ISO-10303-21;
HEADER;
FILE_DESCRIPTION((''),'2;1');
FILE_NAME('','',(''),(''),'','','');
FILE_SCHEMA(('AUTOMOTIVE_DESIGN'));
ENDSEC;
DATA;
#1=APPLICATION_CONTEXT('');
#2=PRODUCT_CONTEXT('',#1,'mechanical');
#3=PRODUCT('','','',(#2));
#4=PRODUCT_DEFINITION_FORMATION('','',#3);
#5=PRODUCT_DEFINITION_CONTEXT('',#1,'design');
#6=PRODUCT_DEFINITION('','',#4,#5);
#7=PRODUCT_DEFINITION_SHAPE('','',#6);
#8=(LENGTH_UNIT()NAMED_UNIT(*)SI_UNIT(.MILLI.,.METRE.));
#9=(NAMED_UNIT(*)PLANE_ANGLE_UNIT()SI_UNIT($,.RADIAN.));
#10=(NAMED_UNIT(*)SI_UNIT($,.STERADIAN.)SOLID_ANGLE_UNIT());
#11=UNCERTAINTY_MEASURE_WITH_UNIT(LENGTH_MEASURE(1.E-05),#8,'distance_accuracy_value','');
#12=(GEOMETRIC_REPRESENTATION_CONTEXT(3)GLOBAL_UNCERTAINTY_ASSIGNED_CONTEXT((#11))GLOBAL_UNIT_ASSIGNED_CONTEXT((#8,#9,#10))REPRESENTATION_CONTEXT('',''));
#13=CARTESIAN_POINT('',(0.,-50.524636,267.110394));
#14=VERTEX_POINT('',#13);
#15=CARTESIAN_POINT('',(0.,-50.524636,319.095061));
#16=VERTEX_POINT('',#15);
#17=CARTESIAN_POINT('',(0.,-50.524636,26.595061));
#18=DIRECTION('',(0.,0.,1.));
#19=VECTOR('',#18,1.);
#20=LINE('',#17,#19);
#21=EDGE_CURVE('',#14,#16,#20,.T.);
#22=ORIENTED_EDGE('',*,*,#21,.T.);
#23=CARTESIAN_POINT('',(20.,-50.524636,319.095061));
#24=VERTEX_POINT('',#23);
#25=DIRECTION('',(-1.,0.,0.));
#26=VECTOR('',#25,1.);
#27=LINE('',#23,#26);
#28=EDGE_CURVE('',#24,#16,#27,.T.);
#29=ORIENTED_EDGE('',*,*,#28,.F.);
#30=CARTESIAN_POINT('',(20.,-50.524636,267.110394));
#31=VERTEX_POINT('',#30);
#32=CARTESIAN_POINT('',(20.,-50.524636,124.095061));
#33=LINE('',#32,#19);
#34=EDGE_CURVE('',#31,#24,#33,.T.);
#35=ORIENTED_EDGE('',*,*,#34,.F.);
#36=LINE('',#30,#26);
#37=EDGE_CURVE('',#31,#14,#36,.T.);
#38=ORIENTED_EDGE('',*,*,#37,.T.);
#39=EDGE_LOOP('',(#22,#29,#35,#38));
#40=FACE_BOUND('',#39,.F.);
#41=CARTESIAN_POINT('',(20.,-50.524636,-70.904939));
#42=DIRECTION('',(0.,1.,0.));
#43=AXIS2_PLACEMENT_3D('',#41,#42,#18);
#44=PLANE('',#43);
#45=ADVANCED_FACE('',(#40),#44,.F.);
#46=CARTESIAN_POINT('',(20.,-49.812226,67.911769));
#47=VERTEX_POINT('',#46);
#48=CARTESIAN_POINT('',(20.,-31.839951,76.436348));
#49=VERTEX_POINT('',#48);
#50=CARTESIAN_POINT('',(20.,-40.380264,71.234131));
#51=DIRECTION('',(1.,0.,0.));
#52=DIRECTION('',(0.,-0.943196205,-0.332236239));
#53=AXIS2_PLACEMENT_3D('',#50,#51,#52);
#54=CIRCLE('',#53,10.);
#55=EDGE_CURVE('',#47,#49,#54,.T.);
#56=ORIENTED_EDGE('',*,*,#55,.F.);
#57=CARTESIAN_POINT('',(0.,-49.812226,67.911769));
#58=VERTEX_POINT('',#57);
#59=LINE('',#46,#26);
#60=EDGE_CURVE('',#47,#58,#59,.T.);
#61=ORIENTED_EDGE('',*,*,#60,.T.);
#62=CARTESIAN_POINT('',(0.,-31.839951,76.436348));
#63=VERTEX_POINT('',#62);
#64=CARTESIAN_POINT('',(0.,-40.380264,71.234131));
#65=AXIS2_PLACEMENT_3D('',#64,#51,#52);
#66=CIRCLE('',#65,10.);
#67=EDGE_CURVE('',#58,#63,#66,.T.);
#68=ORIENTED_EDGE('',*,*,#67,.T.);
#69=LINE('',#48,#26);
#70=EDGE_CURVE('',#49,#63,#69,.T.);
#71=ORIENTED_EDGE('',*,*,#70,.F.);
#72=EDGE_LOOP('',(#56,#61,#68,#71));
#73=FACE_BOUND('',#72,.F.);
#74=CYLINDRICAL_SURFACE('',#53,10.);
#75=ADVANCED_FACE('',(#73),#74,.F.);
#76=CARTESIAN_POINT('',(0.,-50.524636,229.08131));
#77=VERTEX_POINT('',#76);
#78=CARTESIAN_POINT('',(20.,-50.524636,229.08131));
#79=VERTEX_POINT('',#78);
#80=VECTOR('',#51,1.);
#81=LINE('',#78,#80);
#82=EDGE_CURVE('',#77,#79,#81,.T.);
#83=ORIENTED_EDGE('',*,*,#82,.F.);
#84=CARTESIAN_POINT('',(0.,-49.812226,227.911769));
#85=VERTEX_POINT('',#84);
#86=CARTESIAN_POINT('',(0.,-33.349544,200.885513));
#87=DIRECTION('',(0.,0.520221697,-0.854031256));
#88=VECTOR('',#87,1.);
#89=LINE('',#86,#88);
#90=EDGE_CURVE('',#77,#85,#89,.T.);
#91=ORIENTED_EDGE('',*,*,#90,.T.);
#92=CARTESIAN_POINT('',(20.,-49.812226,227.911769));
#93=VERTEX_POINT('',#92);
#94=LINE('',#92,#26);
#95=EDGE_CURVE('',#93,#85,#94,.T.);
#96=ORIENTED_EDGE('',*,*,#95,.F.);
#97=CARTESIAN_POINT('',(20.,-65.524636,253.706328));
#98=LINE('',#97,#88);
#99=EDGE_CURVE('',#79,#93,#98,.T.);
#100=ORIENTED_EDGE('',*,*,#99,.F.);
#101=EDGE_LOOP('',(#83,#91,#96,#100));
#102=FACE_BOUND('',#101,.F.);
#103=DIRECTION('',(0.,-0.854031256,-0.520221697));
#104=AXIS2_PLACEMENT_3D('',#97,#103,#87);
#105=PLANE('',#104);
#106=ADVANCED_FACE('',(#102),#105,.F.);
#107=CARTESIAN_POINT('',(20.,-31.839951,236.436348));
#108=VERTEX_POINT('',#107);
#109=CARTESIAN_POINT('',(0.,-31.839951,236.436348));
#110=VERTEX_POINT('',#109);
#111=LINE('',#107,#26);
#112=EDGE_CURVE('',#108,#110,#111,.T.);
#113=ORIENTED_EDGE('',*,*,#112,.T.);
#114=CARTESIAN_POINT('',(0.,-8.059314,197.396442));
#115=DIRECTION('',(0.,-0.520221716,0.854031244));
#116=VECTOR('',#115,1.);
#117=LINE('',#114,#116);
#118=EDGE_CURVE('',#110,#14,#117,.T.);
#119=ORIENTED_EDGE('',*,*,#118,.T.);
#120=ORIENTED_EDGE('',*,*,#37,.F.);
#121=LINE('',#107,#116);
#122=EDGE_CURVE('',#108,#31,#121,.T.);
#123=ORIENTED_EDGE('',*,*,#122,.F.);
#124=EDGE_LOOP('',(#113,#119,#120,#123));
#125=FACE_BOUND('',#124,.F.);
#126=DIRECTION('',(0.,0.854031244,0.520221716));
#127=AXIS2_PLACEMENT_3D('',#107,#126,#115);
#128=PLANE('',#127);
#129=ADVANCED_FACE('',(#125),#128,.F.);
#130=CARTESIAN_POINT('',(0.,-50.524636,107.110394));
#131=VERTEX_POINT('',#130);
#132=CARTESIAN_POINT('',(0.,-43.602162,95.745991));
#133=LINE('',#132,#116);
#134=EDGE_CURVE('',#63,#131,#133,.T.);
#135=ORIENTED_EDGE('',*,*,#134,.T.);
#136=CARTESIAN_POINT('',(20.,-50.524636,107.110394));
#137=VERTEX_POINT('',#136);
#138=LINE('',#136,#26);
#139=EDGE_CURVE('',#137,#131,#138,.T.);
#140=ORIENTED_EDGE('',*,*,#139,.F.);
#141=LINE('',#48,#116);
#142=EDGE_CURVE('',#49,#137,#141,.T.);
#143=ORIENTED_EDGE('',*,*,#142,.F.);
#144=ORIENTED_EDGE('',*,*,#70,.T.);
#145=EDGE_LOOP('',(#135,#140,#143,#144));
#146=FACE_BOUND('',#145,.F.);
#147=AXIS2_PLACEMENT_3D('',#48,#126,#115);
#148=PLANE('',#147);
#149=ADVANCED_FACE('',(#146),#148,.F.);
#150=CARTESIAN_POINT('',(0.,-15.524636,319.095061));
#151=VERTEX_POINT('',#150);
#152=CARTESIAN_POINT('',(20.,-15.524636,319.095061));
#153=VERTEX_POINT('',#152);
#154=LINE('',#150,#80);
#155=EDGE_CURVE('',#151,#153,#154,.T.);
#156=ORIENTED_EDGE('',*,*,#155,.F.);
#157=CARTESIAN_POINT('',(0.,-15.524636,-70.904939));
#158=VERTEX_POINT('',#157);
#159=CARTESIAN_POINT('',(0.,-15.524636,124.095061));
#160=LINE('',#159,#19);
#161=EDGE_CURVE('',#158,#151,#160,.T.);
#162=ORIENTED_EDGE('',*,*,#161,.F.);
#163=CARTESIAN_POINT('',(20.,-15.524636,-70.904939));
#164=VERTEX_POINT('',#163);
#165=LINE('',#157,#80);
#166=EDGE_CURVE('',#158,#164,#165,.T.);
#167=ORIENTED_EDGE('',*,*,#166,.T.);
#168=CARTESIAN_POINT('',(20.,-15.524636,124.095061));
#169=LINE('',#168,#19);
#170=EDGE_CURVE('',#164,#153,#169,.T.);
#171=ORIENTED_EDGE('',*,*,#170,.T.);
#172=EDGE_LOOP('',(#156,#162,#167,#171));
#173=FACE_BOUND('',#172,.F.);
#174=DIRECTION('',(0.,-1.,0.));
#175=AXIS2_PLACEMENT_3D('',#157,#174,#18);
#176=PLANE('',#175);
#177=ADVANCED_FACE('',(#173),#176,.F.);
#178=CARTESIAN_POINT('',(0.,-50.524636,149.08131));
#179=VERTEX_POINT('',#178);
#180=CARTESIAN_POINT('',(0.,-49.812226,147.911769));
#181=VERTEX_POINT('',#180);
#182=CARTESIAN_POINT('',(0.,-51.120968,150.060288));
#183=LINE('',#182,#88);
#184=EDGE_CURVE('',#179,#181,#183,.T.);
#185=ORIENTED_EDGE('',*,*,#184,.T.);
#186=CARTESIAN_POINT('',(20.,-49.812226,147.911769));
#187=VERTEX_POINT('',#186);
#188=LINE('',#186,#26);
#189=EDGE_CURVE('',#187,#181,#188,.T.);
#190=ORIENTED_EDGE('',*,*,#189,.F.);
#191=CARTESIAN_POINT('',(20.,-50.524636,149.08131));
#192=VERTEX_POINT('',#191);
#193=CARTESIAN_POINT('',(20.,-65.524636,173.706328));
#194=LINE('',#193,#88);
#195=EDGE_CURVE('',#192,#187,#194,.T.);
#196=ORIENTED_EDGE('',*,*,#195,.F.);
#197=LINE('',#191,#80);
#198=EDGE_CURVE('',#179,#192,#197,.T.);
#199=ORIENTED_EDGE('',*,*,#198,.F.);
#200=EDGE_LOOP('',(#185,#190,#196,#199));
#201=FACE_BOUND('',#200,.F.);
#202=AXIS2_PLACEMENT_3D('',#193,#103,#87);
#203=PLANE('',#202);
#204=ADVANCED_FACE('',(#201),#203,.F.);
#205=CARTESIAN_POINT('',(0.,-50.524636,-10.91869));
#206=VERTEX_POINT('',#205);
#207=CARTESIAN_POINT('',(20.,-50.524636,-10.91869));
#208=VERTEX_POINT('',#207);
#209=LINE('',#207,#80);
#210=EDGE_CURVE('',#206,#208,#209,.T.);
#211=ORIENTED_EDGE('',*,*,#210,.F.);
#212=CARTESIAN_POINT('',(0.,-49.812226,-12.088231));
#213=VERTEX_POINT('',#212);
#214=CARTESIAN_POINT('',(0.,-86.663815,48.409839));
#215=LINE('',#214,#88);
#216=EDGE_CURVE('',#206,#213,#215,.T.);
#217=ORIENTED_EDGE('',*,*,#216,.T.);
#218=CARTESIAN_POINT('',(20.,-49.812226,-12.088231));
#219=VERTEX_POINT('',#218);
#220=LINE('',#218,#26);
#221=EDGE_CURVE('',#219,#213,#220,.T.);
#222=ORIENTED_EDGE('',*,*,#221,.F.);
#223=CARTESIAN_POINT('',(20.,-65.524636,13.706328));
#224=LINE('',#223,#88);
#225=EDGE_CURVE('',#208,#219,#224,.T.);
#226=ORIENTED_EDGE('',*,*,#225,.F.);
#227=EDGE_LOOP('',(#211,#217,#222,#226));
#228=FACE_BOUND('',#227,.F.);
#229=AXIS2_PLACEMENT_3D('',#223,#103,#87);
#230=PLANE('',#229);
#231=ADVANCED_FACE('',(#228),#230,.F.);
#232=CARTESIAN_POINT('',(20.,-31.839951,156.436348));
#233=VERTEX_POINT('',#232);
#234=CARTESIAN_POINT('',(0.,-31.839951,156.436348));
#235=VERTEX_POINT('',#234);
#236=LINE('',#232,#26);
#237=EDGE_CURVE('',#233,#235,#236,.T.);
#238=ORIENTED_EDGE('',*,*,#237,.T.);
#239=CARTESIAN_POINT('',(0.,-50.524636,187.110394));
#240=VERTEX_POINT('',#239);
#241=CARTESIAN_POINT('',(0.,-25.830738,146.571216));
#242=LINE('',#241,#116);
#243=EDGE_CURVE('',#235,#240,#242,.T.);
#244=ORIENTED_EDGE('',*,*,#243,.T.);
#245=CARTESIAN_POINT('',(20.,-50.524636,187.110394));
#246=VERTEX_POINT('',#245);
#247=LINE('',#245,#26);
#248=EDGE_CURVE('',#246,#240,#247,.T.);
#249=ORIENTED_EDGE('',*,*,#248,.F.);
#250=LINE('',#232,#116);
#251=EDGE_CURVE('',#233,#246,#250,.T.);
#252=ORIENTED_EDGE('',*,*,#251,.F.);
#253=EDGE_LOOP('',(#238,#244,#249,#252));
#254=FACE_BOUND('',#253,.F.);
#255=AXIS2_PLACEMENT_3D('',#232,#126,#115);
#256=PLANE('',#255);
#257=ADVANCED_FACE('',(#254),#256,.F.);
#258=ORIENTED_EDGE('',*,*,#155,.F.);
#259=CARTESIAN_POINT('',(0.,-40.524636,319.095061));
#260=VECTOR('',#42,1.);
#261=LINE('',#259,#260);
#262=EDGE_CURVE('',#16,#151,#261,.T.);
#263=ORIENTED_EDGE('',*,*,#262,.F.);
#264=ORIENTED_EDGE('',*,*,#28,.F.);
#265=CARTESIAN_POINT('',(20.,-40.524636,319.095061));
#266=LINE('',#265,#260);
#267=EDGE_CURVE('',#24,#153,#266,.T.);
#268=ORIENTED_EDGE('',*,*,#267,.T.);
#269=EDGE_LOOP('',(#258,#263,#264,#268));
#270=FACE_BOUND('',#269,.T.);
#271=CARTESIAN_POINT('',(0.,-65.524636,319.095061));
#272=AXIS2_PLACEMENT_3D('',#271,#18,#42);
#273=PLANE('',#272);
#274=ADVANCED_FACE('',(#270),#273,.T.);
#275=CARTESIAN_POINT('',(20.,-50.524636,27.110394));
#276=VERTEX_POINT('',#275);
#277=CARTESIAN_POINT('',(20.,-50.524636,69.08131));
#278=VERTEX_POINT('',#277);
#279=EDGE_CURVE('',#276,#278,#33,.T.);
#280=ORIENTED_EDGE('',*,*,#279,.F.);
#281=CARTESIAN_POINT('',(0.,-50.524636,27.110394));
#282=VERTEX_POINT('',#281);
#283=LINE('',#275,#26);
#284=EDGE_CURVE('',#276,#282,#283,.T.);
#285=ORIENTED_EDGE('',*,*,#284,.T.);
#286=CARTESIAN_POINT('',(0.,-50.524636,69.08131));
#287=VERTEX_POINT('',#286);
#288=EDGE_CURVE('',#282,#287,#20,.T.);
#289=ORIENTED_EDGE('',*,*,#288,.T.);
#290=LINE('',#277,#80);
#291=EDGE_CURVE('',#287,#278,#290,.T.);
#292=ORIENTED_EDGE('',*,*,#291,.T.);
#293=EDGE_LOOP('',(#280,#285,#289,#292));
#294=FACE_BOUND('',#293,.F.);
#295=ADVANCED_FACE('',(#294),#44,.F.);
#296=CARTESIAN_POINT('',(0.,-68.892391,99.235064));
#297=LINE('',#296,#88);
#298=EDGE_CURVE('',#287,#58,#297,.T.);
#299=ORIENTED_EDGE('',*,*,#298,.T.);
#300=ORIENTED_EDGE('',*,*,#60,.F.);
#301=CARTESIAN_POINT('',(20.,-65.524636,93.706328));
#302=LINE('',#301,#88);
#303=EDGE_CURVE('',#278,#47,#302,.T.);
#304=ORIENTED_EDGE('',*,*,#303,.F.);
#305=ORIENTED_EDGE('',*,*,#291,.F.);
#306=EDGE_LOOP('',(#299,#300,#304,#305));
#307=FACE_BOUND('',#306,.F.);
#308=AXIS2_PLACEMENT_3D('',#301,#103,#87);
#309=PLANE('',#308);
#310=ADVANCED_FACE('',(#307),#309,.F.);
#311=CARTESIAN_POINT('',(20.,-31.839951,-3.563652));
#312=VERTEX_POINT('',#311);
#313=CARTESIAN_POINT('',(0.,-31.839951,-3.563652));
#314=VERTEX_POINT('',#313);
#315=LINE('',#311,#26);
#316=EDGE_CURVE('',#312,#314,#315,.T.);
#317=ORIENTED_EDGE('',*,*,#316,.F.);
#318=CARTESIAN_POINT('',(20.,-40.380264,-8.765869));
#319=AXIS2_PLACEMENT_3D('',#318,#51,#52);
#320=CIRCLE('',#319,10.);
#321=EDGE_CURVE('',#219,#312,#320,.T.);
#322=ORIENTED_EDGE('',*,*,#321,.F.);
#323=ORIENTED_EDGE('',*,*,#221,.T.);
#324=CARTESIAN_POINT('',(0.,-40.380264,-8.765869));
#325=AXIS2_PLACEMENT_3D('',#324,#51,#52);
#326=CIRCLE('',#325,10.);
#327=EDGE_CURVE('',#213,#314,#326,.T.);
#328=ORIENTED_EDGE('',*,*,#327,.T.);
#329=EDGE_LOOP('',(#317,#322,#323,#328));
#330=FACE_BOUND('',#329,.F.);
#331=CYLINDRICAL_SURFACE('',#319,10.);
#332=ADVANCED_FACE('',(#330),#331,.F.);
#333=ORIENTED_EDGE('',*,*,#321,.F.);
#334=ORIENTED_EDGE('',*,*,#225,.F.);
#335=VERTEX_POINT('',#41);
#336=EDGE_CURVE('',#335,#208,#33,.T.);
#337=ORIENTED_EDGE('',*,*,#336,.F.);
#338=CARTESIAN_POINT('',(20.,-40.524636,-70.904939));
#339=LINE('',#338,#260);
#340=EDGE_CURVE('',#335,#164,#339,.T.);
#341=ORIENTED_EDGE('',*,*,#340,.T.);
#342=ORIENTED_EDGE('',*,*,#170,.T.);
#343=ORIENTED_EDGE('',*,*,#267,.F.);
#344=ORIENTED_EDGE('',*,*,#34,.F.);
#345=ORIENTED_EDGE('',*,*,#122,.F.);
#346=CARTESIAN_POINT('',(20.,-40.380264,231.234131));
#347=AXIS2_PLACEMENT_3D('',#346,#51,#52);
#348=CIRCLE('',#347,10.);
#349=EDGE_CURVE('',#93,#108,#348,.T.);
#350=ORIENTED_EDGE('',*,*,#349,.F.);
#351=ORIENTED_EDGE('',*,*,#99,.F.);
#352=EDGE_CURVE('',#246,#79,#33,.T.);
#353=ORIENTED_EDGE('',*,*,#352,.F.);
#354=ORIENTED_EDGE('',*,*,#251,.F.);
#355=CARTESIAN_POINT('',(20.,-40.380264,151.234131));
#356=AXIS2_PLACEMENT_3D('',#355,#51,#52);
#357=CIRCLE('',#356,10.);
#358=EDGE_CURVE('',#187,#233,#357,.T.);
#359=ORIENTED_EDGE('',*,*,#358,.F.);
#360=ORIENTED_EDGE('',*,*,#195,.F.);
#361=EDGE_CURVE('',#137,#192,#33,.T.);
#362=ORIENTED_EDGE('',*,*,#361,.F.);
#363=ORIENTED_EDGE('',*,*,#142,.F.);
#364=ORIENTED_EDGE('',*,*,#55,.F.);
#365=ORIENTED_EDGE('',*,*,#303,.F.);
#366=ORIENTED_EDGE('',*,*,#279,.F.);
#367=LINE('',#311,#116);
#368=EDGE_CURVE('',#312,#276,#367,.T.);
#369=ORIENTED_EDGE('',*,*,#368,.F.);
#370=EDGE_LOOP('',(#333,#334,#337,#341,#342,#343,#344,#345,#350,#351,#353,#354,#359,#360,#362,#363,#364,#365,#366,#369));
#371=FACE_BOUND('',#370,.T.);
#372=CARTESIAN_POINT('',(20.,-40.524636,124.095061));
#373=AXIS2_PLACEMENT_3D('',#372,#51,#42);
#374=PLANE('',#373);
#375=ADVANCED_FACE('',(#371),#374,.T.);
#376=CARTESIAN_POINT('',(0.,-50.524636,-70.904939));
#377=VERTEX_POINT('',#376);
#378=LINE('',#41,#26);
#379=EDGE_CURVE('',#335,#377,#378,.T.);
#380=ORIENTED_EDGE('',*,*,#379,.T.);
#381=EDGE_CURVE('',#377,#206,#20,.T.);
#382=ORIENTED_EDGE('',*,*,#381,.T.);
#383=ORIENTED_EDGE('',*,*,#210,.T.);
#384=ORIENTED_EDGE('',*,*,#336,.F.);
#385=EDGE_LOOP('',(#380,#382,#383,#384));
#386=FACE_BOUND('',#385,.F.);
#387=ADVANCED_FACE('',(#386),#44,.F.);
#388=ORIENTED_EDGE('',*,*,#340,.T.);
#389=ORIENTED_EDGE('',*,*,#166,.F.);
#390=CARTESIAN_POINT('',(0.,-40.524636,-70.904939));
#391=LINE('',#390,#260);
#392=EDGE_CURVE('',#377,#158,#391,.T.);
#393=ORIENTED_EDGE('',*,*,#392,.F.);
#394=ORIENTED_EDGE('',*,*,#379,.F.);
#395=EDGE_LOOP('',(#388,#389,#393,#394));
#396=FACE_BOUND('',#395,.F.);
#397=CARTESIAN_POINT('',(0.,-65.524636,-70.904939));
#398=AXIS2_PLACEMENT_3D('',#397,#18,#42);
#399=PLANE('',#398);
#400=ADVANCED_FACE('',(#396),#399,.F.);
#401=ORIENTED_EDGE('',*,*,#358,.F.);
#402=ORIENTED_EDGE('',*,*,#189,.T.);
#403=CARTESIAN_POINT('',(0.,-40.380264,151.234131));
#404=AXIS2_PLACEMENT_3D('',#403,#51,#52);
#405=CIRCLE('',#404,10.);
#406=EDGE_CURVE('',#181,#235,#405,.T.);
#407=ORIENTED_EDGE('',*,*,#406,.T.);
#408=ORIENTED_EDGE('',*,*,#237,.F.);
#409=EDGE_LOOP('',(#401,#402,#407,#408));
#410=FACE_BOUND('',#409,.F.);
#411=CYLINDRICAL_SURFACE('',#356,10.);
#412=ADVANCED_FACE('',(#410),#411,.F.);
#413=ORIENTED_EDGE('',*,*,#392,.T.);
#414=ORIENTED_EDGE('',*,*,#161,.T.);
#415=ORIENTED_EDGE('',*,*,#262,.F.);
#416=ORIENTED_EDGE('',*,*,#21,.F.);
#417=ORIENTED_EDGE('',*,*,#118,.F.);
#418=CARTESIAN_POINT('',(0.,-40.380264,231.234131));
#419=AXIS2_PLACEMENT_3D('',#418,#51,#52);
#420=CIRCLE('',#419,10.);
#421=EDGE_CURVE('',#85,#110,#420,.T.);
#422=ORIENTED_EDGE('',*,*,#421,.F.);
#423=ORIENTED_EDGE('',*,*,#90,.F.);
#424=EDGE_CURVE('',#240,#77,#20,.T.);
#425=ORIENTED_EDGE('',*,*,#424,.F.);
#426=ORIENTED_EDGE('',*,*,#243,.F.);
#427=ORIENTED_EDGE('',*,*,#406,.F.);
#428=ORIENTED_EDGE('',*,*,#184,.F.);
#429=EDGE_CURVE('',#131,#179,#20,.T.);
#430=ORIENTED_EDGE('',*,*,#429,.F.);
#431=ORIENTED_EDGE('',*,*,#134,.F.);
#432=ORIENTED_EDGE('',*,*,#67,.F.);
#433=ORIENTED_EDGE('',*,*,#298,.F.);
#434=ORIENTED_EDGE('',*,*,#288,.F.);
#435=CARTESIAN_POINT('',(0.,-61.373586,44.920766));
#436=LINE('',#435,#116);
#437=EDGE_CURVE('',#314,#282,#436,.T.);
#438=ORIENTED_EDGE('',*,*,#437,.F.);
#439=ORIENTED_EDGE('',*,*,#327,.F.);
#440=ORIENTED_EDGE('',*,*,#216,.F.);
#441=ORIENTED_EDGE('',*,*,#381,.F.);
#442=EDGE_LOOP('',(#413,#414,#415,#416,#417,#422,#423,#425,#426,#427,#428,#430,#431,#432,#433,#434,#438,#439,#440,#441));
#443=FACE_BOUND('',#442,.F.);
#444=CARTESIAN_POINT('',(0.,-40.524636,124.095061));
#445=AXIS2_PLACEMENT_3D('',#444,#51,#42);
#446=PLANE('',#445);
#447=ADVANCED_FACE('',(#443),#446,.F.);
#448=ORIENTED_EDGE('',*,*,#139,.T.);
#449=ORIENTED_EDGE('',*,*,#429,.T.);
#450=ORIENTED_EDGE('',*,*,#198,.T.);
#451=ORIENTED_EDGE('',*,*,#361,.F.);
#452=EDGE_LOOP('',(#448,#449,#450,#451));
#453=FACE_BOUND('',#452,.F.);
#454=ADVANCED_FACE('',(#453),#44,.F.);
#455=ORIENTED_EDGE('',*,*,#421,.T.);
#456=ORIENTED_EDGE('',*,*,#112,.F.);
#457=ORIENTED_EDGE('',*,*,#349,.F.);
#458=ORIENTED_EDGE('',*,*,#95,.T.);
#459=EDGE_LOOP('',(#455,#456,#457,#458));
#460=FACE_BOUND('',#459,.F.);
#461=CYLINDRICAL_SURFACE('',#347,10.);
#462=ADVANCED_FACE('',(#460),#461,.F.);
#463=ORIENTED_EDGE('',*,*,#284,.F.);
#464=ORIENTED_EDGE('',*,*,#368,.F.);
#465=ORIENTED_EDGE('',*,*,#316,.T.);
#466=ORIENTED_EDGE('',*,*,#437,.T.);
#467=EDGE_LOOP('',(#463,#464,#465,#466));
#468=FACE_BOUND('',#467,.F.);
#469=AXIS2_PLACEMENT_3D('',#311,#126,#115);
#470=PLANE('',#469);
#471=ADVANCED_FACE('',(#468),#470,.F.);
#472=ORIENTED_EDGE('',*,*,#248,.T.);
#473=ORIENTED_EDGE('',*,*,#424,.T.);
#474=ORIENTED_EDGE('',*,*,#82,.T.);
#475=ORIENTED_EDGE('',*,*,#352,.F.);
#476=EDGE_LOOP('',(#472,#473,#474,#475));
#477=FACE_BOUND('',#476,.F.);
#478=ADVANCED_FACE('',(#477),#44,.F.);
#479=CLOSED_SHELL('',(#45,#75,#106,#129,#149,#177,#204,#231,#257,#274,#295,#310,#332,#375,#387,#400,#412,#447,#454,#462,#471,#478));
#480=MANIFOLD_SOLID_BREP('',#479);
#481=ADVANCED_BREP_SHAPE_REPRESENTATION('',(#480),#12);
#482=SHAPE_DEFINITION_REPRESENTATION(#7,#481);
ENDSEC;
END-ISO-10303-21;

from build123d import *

# Parameters (mm, degrees)
F0_W     = 50
F0_H     = 390
F1_DEPTH = 20
F3_DEPTH = 20.001
F4_W     = 15
F4_H     = 390
F5_DEPTH = 20.001


with BuildPart() as f1:
    # F0 (on Right) → F1 (new body)
    with BuildSketch(Plane.YZ):
        with Locations((-40.524636, 124.095061)):
            Rectangle(F0_W, F0_H)
    extrude(amount=F1_DEPTH)

    # F2 (on face) → F3 (cut, through all)
    with BuildSketch(Plane.YZ.offset(20)):
        with BuildLine():
            Line((-31.839951, -3.563652), (-65.524636, 51.735411))
            Line((-65.524636, 51.735411), (-65.524636, 13.706328))
            Line((-65.524636, 13.706328), (-49.812226, -12.088231))
            ThreePointArc((-49.812226, -12.088231), (-36.094721, -17.801029), (-31.839951, -3.563652))
        make_face()
        with BuildLine():
            Line((-31.839951, 76.436348), (-65.524636, 131.735411))
            Line((-65.524636, 131.735411), (-65.524636, 93.706328))
            Line((-65.524636, 93.706328), (-49.812226, 67.911769))
            ThreePointArc((-49.812226, 67.911769), (-36.094721, 62.198971), (-31.839951, 76.436348))
        make_face()
        with BuildLine():
            Line((-31.839951, 156.436348), (-65.524636, 211.735411))
            Line((-65.524636, 211.735411), (-65.524636, 173.706328))
            Line((-65.524636, 173.706328), (-49.812226, 147.911769))
            ThreePointArc((-49.812226, 147.911769), (-36.094721, 142.198971), (-31.839951, 156.436348))
        make_face()
        with BuildLine():
            Line((-31.839951, 236.436348), (-65.524636, 291.735411))
            Line((-65.524636, 291.735411), (-65.524636, 253.706328))
            Line((-65.524636, 253.706328), (-49.812226, 227.911769))
            ThreePointArc((-49.812226, 227.911769), (-36.094721, 222.198971), (-31.839951, 236.436348))
        make_face()
    extrude(amount=-F3_DEPTH, mode=Mode.SUBTRACT)

    # F4 (on face) → F5 (cut, through all)
    with BuildSketch(Plane.YZ.offset(20)):
        with Locations((-58.024636, 124.095061)):
            Rectangle(F4_W, F4_H)
    extrude(amount=-F5_DEPTH, mode=Mode.SUBTRACT)


solid = f1.part
